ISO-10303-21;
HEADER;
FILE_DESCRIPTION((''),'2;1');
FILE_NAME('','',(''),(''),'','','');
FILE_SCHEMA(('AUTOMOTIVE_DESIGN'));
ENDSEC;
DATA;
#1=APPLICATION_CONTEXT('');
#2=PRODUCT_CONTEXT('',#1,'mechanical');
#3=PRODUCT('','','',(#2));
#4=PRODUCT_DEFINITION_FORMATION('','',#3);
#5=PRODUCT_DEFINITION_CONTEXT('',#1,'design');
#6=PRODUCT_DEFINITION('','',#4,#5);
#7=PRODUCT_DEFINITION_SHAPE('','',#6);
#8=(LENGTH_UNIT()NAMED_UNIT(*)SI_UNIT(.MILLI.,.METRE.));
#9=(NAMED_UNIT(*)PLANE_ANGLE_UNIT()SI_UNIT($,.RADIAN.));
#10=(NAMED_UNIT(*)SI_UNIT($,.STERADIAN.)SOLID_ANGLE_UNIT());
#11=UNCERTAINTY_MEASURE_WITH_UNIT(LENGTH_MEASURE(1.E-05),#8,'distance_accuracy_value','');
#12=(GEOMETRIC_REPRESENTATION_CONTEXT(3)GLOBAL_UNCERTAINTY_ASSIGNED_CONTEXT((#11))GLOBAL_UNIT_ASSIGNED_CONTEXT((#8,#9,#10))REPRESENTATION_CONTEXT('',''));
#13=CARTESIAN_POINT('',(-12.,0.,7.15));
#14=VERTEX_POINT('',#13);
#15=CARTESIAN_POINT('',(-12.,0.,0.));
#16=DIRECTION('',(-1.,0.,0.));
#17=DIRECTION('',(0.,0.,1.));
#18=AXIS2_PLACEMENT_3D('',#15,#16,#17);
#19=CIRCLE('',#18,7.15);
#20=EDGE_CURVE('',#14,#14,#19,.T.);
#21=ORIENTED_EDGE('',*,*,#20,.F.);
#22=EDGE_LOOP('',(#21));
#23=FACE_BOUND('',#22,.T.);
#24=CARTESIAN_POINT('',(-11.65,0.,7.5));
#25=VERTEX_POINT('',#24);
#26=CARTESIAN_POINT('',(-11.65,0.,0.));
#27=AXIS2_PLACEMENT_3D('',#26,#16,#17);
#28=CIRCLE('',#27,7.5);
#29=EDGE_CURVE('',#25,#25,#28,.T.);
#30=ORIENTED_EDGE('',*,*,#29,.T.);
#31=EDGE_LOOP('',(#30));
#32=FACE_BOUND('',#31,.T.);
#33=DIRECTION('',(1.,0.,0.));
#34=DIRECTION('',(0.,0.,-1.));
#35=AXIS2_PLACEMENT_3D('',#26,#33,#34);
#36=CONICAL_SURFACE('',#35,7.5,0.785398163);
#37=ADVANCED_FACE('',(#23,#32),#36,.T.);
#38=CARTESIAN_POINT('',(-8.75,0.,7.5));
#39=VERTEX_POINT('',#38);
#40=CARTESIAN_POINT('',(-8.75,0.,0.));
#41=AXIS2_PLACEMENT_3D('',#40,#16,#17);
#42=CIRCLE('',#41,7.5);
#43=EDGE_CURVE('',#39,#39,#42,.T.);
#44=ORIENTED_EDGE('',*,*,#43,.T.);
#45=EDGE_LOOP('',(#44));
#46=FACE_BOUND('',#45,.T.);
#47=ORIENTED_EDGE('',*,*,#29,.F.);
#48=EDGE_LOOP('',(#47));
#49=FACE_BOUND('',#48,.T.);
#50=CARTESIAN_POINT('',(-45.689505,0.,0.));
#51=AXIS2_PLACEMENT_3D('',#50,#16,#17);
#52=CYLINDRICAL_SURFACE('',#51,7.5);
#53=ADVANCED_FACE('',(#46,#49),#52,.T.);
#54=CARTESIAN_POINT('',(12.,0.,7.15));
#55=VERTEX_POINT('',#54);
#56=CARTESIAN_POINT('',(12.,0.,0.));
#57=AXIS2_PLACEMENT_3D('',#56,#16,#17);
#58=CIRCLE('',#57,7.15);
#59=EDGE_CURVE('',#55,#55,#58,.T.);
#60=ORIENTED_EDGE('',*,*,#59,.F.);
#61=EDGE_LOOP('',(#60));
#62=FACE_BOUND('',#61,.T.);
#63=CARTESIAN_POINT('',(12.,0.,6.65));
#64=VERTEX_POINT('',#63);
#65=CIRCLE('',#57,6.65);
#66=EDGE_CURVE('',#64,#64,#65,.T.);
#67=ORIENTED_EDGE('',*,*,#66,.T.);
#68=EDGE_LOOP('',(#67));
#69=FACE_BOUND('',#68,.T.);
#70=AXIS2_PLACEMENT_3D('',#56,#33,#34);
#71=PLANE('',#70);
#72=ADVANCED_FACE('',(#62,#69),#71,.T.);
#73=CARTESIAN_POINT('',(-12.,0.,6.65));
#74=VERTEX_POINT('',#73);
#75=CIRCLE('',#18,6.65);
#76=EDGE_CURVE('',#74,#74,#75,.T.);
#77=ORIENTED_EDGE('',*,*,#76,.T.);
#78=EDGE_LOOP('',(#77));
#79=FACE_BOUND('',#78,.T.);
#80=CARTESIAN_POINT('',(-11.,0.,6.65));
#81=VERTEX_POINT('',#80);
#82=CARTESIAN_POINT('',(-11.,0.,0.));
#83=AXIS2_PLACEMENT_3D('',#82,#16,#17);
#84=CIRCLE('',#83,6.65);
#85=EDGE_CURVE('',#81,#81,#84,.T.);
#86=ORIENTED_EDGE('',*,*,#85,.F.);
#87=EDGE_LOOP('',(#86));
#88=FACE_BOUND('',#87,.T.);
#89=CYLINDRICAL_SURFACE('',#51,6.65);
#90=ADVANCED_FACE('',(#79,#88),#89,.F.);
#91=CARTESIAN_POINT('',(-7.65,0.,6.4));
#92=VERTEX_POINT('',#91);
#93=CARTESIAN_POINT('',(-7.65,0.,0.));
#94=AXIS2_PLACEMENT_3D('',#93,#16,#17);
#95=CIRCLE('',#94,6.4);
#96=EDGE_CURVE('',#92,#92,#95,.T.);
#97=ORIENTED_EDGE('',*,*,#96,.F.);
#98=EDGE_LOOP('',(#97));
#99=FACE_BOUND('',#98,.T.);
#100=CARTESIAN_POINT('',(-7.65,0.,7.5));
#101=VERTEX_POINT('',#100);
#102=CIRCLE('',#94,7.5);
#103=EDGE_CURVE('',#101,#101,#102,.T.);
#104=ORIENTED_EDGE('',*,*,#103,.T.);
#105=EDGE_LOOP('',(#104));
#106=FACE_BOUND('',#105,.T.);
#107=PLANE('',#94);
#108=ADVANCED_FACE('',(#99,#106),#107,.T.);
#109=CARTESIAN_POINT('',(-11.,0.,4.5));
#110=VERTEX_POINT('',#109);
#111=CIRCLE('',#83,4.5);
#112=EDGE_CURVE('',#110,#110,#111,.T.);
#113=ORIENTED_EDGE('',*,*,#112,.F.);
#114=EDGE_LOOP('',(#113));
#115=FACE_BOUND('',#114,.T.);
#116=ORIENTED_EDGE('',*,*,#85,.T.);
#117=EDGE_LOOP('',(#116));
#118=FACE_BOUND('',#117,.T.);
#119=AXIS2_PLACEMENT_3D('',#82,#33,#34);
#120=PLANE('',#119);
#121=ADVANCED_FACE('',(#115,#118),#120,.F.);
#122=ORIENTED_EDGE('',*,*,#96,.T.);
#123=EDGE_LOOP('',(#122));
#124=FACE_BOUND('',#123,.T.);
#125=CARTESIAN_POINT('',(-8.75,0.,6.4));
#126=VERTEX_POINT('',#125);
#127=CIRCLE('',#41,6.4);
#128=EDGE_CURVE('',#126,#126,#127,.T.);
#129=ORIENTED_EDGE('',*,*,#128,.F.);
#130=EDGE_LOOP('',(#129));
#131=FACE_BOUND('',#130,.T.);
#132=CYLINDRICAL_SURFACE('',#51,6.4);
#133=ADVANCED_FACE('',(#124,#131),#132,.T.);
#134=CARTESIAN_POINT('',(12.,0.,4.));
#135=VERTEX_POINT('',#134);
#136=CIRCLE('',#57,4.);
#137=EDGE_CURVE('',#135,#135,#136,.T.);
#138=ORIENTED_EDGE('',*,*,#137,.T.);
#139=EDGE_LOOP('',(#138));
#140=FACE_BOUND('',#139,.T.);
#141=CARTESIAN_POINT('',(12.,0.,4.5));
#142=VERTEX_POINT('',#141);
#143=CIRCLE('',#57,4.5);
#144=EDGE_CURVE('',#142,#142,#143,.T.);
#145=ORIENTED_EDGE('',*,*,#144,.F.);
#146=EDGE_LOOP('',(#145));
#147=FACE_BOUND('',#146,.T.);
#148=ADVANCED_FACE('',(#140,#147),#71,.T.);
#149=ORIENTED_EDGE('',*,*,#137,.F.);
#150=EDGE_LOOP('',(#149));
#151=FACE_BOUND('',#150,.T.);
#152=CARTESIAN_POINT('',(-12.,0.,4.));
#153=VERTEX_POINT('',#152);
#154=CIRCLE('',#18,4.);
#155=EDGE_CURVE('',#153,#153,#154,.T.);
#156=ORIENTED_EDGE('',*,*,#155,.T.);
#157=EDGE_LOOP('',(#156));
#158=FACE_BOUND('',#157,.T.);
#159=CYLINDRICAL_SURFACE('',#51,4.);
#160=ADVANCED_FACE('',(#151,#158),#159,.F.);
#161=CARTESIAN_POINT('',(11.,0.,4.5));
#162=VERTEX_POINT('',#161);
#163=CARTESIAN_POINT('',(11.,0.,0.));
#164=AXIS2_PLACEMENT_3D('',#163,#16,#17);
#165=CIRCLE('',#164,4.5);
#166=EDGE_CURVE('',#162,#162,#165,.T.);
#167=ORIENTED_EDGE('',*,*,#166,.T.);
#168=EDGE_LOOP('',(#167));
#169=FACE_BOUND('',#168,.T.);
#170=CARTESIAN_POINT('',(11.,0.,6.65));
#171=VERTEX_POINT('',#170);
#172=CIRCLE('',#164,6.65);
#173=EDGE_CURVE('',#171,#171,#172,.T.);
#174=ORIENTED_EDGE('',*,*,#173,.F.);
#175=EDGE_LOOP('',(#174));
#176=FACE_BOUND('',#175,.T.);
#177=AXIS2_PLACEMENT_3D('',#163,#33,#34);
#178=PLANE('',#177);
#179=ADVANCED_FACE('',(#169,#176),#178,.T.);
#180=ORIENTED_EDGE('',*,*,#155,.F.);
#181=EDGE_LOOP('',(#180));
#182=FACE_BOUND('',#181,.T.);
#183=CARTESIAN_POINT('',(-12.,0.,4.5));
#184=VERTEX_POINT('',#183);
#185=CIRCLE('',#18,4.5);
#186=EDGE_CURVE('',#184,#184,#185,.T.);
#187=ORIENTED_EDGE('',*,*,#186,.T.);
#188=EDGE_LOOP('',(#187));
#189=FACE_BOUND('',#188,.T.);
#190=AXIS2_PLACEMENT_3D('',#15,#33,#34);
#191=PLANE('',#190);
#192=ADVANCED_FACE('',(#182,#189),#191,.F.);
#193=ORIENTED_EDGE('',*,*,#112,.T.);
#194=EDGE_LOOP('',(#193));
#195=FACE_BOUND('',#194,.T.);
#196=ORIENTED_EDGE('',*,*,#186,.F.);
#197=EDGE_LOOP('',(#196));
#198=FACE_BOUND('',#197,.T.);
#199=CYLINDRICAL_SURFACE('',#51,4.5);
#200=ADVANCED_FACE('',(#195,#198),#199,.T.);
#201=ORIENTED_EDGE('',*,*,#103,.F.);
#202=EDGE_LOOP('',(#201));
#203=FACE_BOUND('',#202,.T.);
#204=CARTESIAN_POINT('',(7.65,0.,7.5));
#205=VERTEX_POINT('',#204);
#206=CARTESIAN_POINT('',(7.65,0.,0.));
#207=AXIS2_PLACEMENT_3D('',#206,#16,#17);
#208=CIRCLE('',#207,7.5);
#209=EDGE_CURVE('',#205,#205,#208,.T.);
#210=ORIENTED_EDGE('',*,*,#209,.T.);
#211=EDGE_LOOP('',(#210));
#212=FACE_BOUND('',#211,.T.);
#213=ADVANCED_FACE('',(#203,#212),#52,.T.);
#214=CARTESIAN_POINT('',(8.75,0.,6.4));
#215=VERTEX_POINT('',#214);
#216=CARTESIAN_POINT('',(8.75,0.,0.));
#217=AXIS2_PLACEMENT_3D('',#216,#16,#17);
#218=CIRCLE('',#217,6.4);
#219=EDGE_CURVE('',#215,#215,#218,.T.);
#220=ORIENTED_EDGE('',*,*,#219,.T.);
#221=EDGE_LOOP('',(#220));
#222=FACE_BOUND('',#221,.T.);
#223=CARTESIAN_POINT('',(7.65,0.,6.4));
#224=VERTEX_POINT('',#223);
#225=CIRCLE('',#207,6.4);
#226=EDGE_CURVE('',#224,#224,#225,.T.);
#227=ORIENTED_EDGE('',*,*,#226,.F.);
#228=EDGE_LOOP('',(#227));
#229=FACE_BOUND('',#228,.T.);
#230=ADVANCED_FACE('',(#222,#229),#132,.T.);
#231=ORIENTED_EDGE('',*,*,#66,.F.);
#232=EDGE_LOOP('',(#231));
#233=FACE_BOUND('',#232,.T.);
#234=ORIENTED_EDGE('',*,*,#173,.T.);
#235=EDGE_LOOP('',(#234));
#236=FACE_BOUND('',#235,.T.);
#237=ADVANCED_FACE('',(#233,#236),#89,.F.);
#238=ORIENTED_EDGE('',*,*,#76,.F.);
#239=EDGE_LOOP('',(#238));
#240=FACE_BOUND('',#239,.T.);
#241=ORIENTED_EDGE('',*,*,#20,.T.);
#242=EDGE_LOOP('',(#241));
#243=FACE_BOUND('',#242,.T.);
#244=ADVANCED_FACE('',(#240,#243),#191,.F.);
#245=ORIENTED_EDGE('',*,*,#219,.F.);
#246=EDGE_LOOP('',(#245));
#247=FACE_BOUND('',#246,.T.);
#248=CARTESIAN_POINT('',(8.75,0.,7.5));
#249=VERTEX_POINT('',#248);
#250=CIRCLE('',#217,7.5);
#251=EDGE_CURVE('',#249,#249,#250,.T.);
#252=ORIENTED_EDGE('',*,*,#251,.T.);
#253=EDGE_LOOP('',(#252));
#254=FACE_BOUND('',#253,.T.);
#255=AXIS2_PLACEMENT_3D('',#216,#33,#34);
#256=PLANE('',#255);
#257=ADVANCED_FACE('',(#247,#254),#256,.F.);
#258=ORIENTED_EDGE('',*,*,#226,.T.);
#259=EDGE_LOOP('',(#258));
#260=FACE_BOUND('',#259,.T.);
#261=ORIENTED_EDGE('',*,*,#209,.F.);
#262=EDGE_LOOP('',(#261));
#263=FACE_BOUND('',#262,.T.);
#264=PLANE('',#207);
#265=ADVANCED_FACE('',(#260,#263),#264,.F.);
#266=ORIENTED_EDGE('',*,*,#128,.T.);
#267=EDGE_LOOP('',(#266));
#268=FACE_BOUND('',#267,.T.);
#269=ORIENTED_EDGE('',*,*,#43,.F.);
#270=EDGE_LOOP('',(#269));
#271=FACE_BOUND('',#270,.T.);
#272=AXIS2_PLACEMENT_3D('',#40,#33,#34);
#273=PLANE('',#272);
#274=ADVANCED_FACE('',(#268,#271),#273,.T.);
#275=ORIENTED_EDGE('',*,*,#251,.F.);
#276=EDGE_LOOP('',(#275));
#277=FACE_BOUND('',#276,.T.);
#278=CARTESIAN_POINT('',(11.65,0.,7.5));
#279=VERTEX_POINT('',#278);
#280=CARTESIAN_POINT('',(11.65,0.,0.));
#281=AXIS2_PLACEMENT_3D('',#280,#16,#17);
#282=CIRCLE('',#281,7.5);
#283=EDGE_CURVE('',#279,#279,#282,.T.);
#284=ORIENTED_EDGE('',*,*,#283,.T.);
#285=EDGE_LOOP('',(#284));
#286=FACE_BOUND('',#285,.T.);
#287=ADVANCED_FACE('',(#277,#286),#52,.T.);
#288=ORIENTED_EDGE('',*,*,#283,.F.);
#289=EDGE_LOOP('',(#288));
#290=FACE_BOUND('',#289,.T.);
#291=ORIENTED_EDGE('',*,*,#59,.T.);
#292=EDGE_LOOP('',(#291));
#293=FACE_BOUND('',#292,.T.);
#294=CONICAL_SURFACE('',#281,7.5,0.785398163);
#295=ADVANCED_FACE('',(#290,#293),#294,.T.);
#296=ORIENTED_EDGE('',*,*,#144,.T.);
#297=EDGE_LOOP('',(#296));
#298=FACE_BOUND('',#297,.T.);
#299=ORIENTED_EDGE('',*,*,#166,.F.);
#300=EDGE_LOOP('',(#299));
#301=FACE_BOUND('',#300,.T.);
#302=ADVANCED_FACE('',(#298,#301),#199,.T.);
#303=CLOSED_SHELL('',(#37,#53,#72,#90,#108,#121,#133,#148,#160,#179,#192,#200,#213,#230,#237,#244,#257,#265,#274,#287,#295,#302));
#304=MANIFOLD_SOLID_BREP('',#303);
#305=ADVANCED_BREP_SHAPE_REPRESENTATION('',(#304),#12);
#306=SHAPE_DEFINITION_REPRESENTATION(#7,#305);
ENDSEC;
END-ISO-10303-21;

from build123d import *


with BuildPart() as part:
    # Sketch1 → Revolve1 (revolve)
    with BuildSketch(Plane.XY):
        Polygon((11.65, 7.5), (12, 7.15), (12, 6.65), (11, 6.65), (11, 4.5), (12, 4.5), (12, 4), (-12, 4), (-12, 4.5), (-11, 4.5), (-11, 6.65), (-12, 6.65), (-12, 7.15), (-11.65, 7.5), (-8.75, 7.5), (-8.75, 6.4), (-7.65, 6.4), (-7.65, 7.5), (7.65, 7.5), (7.65, 6.4), (8.75, 6.4), (8.75, 7.5), align=None)
    revolve(axis=Axis((-45.689505325, 0, 0), (1, 0, 0)))


solid = part.part
